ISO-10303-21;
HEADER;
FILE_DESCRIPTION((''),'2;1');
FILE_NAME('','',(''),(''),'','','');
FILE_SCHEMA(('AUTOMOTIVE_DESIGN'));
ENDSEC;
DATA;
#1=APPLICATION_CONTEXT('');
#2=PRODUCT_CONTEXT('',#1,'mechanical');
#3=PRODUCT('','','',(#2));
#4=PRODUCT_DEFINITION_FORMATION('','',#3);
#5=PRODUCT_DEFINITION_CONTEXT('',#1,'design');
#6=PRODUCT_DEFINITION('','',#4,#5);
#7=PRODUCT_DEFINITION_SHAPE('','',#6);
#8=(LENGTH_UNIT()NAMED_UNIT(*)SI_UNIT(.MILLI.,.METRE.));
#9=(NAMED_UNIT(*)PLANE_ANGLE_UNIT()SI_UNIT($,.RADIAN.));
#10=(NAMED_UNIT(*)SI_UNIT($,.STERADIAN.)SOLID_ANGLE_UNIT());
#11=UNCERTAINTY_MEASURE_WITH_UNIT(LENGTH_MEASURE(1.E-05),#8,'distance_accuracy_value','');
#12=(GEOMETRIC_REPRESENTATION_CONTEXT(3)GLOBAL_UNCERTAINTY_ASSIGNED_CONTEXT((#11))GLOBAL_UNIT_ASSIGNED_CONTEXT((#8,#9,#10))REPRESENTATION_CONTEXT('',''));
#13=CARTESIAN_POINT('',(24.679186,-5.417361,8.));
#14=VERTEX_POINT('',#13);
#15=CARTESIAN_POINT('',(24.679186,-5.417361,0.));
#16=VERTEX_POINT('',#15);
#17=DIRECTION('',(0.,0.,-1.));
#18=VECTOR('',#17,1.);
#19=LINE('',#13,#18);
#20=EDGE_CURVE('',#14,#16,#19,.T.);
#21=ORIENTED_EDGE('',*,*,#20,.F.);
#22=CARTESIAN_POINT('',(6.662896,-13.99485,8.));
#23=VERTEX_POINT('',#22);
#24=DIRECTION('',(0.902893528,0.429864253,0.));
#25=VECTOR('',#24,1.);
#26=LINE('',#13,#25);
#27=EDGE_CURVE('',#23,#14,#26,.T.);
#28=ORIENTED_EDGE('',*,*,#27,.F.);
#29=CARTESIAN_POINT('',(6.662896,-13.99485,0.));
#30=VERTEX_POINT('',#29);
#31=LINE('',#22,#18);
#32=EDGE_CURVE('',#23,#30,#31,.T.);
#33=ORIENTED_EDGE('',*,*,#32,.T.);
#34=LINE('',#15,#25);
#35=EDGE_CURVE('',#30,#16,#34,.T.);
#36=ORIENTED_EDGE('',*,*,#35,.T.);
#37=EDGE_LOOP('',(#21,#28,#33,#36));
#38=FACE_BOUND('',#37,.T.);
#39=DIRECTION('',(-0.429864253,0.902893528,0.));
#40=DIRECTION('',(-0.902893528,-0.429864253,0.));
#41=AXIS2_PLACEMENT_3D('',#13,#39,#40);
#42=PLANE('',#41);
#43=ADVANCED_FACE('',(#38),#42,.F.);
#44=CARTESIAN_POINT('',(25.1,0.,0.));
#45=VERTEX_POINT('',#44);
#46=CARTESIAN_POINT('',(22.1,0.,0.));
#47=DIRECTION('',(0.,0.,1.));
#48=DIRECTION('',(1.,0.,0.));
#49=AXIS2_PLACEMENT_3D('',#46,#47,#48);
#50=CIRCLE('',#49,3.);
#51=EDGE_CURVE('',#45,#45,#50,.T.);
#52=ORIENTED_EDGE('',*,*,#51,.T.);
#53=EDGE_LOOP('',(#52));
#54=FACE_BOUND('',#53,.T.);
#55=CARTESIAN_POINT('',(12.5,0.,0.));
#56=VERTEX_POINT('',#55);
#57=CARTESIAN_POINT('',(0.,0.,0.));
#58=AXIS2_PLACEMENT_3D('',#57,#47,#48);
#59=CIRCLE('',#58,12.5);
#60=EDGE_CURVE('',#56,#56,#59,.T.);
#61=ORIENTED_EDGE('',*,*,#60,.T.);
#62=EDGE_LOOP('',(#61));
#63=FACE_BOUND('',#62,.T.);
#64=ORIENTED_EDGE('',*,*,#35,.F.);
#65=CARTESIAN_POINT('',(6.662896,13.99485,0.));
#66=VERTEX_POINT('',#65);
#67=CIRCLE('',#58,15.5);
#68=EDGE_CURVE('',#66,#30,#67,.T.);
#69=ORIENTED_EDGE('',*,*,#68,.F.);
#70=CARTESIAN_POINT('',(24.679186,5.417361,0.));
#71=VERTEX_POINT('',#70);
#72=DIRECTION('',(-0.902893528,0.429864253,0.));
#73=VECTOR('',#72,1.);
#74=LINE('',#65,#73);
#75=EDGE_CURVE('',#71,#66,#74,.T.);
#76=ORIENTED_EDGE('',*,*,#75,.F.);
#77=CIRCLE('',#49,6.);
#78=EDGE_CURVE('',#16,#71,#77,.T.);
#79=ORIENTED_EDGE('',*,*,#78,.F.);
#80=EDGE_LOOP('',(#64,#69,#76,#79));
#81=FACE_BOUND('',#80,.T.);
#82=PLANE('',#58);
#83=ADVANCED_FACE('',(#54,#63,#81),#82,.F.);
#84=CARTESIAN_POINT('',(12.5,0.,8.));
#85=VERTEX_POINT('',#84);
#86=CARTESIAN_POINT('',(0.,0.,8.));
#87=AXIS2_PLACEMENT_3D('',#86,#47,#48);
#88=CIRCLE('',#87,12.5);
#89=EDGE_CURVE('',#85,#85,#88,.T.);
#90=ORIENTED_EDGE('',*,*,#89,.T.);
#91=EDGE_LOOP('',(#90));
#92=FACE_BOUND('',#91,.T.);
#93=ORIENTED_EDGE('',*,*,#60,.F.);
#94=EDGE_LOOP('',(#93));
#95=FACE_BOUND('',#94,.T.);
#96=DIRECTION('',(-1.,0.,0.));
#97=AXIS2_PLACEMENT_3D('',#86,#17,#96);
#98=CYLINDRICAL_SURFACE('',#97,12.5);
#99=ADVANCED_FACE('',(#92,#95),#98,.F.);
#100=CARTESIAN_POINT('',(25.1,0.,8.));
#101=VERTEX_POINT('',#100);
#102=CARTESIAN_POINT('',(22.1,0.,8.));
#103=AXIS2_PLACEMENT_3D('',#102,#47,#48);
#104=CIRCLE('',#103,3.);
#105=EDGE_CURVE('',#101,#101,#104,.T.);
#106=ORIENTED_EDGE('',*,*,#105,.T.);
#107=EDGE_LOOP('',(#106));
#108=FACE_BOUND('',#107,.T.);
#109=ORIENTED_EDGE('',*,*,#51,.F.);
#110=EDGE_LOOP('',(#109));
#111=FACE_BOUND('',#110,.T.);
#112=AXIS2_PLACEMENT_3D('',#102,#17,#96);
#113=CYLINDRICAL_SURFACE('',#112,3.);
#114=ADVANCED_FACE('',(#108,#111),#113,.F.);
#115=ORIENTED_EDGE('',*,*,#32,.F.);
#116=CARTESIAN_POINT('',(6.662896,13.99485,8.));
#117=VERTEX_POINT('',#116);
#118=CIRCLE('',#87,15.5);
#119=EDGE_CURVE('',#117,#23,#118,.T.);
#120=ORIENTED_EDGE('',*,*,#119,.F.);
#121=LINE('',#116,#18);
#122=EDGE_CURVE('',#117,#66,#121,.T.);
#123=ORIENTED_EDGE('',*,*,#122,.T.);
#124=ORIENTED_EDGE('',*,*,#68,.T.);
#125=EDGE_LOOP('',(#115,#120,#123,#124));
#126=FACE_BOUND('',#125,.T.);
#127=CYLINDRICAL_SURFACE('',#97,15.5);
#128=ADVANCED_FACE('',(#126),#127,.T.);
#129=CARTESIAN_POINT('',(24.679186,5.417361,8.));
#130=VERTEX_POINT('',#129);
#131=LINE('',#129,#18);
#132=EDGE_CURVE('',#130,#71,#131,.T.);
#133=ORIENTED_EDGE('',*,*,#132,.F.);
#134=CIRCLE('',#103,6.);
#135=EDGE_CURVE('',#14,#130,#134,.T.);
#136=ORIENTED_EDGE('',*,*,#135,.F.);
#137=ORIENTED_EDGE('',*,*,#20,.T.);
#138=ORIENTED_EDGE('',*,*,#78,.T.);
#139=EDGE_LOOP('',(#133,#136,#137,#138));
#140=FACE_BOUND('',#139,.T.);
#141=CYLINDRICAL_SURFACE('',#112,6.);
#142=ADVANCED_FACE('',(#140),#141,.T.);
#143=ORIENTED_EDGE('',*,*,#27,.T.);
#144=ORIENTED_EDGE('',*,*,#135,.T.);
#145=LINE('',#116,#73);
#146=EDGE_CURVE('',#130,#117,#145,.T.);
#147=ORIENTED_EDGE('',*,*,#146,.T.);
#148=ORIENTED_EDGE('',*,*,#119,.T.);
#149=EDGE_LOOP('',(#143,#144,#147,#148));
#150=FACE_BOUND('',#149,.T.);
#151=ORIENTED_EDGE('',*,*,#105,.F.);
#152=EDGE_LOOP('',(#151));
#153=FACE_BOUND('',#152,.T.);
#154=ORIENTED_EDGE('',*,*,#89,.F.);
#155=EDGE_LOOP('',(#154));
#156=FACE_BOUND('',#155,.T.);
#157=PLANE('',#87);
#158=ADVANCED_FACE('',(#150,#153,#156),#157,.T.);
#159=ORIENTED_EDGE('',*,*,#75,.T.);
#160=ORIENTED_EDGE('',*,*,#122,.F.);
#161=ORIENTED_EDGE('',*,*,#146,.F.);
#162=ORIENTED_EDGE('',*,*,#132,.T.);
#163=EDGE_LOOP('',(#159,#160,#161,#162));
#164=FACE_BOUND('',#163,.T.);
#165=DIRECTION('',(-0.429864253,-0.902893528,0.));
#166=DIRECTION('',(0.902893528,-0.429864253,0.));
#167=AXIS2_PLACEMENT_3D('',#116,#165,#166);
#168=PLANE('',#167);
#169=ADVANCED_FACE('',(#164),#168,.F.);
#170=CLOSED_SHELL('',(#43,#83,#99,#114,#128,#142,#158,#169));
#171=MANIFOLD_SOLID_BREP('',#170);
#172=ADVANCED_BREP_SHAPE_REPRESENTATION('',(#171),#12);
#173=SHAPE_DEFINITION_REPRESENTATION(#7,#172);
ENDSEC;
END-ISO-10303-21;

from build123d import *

# Parameters (mm, degrees)
SKETCH_1_R      = 12.5
SKETCH_1_R_2    = 3
EXTRUDE_1_DEPTH = 8


with BuildPart() as part:
    # 草图1 → 凸台-拉伸1 (new body)
    with BuildSketch(Plane.XY):
        with BuildLine():
            Line((6.662895928, 13.99484969), (24.67918552, 5.41736117))
            ThreePointArc((24.67918552, 5.41736117), (28.1, 0), (24.67918552, -5.41736117))
            Line((24.67918552, -5.41736117), (6.662895928, -13.99484969))
            ThreePointArc((6.662895928, -13.99484969), (-15.5, 0), (6.662895928, 13.99484969))
        make_face()
        Circle(SKETCH_1_R, mode=Mode.SUBTRACT)
        with Locations((22.1, 0)):
            Circle(SKETCH_1_R_2, mode=Mode.SUBTRACT)
    extrude(amount=EXTRUDE_1_DEPTH)


solid = part.part
